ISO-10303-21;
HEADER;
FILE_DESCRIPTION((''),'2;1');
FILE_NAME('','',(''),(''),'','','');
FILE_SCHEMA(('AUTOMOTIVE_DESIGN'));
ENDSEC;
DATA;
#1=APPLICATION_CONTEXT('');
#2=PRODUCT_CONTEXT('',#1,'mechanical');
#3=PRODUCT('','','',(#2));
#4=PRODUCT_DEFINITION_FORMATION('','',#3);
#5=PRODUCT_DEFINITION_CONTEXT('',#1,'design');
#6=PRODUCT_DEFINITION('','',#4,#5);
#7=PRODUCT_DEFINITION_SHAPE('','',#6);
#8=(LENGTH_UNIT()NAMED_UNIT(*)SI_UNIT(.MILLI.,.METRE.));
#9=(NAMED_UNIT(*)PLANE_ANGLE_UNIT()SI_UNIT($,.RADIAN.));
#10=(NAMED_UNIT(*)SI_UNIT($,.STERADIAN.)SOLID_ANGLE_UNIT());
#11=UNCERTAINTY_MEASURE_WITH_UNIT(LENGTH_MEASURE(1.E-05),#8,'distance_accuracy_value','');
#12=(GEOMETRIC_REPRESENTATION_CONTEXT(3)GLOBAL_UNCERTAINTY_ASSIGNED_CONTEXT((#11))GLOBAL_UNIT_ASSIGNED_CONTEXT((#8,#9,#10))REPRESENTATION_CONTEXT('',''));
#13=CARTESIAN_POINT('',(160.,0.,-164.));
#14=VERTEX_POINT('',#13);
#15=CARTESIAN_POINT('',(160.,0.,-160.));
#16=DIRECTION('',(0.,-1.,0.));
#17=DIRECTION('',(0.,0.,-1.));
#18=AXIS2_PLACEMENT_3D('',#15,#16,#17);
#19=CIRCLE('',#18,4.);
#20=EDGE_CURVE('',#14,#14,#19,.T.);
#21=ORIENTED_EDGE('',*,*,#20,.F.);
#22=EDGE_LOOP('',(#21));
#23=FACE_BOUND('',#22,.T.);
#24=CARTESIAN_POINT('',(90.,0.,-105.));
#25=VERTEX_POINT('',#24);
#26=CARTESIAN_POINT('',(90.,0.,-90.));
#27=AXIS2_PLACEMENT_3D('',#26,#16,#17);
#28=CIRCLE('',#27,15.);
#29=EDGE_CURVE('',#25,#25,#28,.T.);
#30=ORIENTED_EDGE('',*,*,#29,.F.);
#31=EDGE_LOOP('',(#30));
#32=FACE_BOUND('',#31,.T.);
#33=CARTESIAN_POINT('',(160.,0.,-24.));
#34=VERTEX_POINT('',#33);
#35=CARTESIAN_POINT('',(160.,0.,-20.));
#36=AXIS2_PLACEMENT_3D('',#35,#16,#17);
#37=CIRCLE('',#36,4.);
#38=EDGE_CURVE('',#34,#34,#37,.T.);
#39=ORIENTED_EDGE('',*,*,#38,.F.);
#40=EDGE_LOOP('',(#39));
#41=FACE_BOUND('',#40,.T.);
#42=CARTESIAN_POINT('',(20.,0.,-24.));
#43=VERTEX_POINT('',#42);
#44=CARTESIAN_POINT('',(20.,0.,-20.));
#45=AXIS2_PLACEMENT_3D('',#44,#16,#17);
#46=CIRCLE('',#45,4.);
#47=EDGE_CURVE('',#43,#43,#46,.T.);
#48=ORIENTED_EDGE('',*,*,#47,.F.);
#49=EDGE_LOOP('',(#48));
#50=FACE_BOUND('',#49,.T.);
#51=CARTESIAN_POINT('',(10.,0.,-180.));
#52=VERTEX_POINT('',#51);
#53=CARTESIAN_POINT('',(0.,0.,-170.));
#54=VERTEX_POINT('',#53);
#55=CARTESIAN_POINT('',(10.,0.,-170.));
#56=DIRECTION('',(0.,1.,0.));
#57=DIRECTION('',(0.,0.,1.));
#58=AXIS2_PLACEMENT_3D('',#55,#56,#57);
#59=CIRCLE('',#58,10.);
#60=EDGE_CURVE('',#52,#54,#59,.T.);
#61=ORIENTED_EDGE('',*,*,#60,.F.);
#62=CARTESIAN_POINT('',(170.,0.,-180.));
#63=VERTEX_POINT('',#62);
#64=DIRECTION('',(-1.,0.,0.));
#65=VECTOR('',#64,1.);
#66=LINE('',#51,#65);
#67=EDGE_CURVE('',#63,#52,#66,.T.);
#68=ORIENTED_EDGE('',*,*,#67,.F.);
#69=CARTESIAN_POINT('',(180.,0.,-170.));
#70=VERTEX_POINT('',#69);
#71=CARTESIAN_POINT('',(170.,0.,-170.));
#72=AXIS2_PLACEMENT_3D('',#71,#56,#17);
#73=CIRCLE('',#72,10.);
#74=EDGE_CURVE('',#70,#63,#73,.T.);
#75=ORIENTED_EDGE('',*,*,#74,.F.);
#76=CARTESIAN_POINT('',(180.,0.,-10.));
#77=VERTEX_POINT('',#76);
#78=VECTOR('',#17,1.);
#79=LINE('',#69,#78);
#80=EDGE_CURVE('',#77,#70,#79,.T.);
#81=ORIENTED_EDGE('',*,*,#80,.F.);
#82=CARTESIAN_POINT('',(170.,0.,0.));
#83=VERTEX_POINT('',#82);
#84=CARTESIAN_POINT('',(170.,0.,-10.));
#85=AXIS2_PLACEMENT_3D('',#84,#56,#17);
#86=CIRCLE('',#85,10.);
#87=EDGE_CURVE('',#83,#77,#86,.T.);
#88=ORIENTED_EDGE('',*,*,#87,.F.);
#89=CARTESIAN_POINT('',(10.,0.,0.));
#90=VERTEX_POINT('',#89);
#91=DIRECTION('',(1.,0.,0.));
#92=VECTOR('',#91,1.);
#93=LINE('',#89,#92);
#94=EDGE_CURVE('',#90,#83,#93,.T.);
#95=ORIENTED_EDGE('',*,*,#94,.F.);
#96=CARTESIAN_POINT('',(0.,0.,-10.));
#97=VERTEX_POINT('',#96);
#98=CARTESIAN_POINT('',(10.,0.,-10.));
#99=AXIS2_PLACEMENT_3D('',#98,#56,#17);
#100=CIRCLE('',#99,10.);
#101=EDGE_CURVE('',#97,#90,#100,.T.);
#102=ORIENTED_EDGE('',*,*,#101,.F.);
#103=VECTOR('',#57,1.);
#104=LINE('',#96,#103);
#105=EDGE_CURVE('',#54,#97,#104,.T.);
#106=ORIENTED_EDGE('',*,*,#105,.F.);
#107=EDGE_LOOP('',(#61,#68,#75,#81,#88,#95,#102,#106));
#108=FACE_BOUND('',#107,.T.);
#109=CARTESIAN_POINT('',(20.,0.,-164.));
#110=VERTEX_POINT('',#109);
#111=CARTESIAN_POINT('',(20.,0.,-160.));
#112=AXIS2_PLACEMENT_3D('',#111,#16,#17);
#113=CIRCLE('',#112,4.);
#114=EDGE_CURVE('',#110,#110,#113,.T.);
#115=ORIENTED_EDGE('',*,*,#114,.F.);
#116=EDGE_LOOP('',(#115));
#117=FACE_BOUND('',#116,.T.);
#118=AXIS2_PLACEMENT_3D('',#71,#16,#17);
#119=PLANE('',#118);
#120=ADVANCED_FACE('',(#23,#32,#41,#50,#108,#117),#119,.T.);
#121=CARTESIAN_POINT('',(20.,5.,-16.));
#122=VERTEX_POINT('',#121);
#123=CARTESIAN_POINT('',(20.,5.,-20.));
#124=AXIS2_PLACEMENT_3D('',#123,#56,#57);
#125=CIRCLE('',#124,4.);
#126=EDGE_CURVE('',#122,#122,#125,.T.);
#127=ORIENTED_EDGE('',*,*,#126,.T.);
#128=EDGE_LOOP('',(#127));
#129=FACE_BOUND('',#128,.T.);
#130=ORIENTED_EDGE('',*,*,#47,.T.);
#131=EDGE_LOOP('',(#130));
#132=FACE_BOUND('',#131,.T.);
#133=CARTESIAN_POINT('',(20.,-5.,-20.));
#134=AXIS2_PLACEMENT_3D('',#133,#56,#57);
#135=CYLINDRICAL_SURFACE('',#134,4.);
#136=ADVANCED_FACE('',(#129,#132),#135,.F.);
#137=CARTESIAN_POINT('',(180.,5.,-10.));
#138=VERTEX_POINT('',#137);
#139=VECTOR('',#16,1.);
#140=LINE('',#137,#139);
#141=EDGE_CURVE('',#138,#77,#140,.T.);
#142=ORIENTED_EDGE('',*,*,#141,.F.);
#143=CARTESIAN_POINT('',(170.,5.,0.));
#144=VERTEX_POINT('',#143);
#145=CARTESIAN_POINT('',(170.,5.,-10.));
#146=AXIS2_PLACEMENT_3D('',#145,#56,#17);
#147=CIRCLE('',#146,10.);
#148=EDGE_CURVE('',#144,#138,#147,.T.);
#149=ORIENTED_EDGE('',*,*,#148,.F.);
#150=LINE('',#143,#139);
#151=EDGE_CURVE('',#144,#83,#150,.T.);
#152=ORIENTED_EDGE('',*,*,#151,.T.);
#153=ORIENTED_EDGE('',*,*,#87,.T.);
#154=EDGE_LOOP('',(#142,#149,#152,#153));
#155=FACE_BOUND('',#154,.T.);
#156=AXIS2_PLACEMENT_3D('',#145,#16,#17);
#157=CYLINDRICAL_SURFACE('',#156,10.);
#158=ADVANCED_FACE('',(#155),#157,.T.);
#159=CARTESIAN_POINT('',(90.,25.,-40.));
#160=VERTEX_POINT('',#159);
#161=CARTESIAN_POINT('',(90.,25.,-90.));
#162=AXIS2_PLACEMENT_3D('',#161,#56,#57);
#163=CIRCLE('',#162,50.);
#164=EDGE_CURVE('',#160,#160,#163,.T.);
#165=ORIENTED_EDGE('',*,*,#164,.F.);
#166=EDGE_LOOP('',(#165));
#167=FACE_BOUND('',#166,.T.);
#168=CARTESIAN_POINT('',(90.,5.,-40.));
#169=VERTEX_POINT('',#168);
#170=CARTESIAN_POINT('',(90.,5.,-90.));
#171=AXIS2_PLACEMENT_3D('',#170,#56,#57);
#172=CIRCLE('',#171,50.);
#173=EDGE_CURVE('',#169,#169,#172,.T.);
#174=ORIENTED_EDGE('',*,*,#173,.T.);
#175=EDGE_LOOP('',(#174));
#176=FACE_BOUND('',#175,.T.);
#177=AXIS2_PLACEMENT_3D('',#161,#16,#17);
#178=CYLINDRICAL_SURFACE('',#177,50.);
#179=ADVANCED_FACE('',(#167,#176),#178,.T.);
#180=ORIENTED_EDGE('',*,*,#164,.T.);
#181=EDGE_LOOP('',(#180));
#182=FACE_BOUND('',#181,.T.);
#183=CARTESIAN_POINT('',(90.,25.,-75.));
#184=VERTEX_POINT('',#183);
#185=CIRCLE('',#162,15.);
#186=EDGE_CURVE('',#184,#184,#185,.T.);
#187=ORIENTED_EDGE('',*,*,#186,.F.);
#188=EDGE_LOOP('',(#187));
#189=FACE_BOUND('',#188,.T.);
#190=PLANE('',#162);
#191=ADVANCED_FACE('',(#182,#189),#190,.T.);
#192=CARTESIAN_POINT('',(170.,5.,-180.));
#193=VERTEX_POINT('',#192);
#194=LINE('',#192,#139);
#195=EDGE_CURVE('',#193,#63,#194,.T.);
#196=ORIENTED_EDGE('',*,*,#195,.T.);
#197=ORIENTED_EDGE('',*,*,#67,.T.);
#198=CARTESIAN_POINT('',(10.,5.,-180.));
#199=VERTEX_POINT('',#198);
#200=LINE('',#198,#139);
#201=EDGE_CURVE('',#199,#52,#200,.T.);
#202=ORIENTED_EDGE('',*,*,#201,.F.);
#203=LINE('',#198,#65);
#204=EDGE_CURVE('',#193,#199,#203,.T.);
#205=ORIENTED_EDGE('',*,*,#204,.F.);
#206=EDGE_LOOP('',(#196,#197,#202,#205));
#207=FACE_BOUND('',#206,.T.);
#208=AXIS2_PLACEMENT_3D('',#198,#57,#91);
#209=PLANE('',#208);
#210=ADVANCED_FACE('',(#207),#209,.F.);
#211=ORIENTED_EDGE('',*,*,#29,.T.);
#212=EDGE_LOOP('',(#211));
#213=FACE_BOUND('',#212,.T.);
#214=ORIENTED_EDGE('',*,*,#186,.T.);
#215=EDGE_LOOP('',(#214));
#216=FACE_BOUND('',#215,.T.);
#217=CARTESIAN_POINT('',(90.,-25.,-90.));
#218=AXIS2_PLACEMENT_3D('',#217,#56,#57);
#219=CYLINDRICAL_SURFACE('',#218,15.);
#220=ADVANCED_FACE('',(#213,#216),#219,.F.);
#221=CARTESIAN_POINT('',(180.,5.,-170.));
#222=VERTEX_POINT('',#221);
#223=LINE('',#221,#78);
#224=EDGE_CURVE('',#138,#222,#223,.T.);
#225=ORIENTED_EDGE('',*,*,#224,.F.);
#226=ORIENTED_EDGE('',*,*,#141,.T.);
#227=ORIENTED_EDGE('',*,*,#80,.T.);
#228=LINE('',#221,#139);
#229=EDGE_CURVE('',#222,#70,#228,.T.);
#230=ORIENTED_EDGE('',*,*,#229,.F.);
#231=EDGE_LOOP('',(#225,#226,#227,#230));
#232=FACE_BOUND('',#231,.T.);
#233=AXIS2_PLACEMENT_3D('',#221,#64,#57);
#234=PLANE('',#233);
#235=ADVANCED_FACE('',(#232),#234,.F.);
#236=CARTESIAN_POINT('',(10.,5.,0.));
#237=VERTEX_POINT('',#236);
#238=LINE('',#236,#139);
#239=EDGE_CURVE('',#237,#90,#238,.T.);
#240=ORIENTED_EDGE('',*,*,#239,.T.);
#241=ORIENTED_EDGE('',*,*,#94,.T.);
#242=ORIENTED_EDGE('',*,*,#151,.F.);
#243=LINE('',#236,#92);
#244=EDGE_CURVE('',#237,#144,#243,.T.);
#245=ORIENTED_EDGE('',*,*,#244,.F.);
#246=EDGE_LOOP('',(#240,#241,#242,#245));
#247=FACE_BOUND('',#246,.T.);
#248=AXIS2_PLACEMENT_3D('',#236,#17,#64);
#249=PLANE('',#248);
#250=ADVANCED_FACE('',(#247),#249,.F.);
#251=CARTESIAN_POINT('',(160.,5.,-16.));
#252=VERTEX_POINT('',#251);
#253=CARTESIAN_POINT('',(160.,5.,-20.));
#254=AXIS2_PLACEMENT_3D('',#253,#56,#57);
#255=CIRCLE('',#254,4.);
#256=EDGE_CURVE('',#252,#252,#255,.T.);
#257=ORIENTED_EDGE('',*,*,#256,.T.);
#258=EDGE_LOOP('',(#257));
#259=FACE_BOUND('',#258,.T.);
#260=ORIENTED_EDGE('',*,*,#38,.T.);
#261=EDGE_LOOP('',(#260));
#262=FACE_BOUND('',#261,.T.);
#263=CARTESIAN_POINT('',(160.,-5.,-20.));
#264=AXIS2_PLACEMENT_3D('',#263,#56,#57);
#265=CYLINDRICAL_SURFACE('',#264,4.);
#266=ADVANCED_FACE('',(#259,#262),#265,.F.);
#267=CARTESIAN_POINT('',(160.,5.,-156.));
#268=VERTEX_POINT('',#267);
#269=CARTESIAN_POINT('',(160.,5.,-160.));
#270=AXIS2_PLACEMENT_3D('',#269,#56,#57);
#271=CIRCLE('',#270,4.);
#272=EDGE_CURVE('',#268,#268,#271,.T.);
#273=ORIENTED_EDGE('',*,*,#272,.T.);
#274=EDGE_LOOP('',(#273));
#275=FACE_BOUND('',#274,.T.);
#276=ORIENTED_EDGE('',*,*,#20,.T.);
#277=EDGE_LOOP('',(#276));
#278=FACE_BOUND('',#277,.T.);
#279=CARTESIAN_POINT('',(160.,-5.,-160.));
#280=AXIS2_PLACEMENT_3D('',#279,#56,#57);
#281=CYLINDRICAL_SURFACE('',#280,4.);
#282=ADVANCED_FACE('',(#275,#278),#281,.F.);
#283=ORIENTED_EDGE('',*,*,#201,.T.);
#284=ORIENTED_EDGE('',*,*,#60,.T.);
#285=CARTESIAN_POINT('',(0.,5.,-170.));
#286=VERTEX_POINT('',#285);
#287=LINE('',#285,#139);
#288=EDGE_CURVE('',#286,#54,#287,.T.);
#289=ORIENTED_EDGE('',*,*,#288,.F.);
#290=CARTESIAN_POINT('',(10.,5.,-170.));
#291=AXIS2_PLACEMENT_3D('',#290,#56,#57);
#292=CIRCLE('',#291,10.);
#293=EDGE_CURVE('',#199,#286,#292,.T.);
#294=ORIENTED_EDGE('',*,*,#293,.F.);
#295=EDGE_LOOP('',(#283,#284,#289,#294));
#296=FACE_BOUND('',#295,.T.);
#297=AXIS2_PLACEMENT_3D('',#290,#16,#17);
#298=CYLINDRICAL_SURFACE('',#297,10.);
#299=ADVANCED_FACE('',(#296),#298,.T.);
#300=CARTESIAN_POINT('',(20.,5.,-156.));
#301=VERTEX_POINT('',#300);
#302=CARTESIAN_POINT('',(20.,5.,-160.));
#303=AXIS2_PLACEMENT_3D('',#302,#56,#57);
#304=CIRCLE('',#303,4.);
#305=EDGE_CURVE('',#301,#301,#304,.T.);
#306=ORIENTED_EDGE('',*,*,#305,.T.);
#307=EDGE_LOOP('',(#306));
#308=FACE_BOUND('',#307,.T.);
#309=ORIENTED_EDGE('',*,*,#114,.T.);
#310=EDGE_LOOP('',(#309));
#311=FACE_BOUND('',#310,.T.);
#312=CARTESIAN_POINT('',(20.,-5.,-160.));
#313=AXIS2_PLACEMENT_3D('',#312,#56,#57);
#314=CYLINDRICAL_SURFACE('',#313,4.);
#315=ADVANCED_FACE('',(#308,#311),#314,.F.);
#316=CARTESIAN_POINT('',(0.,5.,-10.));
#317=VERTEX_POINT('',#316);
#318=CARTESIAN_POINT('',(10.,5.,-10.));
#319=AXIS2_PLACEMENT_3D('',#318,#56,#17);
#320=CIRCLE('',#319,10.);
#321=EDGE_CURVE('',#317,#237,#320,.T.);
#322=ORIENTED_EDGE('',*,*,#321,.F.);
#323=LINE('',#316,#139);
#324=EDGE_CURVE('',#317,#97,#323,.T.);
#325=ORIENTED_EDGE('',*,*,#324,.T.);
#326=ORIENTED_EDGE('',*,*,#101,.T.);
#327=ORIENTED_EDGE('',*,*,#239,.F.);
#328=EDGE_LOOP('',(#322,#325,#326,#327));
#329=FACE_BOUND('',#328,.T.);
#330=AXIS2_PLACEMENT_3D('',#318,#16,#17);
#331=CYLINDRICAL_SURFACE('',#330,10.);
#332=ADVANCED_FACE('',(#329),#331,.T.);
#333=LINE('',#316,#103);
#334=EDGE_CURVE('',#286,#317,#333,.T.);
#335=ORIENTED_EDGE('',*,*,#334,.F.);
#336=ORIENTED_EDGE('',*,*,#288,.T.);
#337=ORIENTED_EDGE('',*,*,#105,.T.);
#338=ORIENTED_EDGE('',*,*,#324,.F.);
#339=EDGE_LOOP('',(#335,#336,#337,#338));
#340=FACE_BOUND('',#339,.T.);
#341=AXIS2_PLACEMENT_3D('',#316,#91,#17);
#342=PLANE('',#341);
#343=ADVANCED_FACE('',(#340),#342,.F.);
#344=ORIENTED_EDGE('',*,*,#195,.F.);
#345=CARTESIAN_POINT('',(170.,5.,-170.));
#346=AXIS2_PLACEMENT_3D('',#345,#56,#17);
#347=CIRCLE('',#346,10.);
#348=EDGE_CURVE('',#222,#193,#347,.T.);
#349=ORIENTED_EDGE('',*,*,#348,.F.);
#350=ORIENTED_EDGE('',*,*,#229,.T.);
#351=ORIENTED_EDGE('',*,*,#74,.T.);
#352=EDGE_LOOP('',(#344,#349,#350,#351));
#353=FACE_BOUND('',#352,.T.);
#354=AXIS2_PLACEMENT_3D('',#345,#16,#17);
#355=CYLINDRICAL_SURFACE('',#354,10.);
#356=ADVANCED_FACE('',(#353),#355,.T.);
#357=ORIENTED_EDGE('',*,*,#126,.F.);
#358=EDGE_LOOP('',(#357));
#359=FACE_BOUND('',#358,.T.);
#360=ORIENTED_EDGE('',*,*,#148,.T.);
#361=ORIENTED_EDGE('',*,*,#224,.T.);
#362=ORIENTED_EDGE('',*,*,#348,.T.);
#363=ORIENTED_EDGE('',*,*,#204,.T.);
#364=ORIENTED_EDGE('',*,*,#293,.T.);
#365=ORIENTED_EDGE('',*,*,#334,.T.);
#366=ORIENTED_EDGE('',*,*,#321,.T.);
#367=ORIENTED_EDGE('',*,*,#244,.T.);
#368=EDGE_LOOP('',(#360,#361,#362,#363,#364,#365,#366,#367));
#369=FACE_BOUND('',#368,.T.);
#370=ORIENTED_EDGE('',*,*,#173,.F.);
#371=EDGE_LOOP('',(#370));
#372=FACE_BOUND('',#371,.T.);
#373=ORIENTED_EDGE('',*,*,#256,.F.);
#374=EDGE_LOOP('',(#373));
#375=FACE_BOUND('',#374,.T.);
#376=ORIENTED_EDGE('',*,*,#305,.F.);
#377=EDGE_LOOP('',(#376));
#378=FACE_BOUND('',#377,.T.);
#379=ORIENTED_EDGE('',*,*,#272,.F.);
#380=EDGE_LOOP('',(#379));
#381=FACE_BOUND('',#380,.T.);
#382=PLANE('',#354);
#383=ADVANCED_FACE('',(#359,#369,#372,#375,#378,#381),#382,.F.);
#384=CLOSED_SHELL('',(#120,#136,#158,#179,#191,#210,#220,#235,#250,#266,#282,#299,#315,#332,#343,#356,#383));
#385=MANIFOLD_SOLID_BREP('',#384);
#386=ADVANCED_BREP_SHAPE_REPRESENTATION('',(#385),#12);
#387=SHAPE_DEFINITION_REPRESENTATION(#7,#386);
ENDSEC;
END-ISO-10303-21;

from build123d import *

# Parameters (mm, degrees)
BOSS_EXTRUDE1_DEPTH  = 5
SKETCH2_R            = 4
CUT_EXTRUDE1_DEPTH   = 10
LPATTERN1_COUNT      = 2
LPATTERN1_PITCH      = 140
LPATTERN1_COUNT_DIR2 = 2
LPATTERN1_PITCH_DIR2 = 140
SKETCH3_R            = 50
BOSS_EXTRUDE2_DEPTH  = 20
SKETCH5_R            = 15
CUT_EXTRUDE3_DEPTH   = 50


with BuildPart() as part:
    # Sketch1 → Boss-Extrude1 (new body)
    with BuildSketch(Plane(origin=(0, 0, 0), x_dir=(1, 0, 0), z_dir=(0, 1, 0))):
        with BuildLine():
            Line((10, 0), (170, 0))
            ThreePointArc((170, 0), (177.071067812, 2.928932188), (180, 10))
            Line((180, 10), (180, 170))
            ThreePointArc((180, 170), (177.071067812, 177.071067812), (170, 180))
            Line((170, 180), (10, 180))
            ThreePointArc((10, 180), (2.928932188, 177.071067812), (0, 170))
            Line((0, 170), (0, 10))
            ThreePointArc((0, 10), (2.928932188, 2.928932188), (10, 0))
        make_face()
    extrude(amount=BOSS_EXTRUDE1_DEPTH)

    # Sketch2 → Cut-Extrude1 (cut)
    with BuildSketch(Plane(origin=(0, 5, 0), x_dir=(1, 0, 0), z_dir=(0, 1, 0))):
        with Locations(Location((20, 20, 0), (0, 0, 270))):
            Circle(SKETCH2_R)
    cut_extrude1 = extrude(amount=-CUT_EXTRUDE1_DEPTH, mode=Mode.SUBTRACT)

    # LPattern1: Cut-Extrude1 2 × 2
    with Locations(*[(i * LPATTERN1_PITCH, 0, -j * LPATTERN1_PITCH_DIR2) for i in range(LPATTERN1_COUNT) for j in range(LPATTERN1_COUNT_DIR2) if (i, j) != (0, 0)]):
        add(cut_extrude1, mode=Mode.SUBTRACT)

    # Sketch3 → Boss-Extrude2 (add)
    with BuildSketch(Plane(origin=(0, 5, 0), x_dir=(1, 0, 0), z_dir=(0, 1, 0))):
        with Locations(Location((90, 90, 0), (0, 0, 270))):
            Circle(SKETCH3_R)
    extrude(amount=BOSS_EXTRUDE2_DEPTH)

    # Sketch5 → Cut-Extrude3 (cut)
    with BuildSketch(Plane(origin=(0, 25, 0), x_dir=(1, 0, 0), z_dir=(0, 1, 0))):
        with Locations(Location((90, 90, 0), (0, 0, 270))):
            Circle(SKETCH5_R)
    extrude(amount=-CUT_EXTRUDE3_DEPTH, mode=Mode.SUBTRACT)


solid = part.part
